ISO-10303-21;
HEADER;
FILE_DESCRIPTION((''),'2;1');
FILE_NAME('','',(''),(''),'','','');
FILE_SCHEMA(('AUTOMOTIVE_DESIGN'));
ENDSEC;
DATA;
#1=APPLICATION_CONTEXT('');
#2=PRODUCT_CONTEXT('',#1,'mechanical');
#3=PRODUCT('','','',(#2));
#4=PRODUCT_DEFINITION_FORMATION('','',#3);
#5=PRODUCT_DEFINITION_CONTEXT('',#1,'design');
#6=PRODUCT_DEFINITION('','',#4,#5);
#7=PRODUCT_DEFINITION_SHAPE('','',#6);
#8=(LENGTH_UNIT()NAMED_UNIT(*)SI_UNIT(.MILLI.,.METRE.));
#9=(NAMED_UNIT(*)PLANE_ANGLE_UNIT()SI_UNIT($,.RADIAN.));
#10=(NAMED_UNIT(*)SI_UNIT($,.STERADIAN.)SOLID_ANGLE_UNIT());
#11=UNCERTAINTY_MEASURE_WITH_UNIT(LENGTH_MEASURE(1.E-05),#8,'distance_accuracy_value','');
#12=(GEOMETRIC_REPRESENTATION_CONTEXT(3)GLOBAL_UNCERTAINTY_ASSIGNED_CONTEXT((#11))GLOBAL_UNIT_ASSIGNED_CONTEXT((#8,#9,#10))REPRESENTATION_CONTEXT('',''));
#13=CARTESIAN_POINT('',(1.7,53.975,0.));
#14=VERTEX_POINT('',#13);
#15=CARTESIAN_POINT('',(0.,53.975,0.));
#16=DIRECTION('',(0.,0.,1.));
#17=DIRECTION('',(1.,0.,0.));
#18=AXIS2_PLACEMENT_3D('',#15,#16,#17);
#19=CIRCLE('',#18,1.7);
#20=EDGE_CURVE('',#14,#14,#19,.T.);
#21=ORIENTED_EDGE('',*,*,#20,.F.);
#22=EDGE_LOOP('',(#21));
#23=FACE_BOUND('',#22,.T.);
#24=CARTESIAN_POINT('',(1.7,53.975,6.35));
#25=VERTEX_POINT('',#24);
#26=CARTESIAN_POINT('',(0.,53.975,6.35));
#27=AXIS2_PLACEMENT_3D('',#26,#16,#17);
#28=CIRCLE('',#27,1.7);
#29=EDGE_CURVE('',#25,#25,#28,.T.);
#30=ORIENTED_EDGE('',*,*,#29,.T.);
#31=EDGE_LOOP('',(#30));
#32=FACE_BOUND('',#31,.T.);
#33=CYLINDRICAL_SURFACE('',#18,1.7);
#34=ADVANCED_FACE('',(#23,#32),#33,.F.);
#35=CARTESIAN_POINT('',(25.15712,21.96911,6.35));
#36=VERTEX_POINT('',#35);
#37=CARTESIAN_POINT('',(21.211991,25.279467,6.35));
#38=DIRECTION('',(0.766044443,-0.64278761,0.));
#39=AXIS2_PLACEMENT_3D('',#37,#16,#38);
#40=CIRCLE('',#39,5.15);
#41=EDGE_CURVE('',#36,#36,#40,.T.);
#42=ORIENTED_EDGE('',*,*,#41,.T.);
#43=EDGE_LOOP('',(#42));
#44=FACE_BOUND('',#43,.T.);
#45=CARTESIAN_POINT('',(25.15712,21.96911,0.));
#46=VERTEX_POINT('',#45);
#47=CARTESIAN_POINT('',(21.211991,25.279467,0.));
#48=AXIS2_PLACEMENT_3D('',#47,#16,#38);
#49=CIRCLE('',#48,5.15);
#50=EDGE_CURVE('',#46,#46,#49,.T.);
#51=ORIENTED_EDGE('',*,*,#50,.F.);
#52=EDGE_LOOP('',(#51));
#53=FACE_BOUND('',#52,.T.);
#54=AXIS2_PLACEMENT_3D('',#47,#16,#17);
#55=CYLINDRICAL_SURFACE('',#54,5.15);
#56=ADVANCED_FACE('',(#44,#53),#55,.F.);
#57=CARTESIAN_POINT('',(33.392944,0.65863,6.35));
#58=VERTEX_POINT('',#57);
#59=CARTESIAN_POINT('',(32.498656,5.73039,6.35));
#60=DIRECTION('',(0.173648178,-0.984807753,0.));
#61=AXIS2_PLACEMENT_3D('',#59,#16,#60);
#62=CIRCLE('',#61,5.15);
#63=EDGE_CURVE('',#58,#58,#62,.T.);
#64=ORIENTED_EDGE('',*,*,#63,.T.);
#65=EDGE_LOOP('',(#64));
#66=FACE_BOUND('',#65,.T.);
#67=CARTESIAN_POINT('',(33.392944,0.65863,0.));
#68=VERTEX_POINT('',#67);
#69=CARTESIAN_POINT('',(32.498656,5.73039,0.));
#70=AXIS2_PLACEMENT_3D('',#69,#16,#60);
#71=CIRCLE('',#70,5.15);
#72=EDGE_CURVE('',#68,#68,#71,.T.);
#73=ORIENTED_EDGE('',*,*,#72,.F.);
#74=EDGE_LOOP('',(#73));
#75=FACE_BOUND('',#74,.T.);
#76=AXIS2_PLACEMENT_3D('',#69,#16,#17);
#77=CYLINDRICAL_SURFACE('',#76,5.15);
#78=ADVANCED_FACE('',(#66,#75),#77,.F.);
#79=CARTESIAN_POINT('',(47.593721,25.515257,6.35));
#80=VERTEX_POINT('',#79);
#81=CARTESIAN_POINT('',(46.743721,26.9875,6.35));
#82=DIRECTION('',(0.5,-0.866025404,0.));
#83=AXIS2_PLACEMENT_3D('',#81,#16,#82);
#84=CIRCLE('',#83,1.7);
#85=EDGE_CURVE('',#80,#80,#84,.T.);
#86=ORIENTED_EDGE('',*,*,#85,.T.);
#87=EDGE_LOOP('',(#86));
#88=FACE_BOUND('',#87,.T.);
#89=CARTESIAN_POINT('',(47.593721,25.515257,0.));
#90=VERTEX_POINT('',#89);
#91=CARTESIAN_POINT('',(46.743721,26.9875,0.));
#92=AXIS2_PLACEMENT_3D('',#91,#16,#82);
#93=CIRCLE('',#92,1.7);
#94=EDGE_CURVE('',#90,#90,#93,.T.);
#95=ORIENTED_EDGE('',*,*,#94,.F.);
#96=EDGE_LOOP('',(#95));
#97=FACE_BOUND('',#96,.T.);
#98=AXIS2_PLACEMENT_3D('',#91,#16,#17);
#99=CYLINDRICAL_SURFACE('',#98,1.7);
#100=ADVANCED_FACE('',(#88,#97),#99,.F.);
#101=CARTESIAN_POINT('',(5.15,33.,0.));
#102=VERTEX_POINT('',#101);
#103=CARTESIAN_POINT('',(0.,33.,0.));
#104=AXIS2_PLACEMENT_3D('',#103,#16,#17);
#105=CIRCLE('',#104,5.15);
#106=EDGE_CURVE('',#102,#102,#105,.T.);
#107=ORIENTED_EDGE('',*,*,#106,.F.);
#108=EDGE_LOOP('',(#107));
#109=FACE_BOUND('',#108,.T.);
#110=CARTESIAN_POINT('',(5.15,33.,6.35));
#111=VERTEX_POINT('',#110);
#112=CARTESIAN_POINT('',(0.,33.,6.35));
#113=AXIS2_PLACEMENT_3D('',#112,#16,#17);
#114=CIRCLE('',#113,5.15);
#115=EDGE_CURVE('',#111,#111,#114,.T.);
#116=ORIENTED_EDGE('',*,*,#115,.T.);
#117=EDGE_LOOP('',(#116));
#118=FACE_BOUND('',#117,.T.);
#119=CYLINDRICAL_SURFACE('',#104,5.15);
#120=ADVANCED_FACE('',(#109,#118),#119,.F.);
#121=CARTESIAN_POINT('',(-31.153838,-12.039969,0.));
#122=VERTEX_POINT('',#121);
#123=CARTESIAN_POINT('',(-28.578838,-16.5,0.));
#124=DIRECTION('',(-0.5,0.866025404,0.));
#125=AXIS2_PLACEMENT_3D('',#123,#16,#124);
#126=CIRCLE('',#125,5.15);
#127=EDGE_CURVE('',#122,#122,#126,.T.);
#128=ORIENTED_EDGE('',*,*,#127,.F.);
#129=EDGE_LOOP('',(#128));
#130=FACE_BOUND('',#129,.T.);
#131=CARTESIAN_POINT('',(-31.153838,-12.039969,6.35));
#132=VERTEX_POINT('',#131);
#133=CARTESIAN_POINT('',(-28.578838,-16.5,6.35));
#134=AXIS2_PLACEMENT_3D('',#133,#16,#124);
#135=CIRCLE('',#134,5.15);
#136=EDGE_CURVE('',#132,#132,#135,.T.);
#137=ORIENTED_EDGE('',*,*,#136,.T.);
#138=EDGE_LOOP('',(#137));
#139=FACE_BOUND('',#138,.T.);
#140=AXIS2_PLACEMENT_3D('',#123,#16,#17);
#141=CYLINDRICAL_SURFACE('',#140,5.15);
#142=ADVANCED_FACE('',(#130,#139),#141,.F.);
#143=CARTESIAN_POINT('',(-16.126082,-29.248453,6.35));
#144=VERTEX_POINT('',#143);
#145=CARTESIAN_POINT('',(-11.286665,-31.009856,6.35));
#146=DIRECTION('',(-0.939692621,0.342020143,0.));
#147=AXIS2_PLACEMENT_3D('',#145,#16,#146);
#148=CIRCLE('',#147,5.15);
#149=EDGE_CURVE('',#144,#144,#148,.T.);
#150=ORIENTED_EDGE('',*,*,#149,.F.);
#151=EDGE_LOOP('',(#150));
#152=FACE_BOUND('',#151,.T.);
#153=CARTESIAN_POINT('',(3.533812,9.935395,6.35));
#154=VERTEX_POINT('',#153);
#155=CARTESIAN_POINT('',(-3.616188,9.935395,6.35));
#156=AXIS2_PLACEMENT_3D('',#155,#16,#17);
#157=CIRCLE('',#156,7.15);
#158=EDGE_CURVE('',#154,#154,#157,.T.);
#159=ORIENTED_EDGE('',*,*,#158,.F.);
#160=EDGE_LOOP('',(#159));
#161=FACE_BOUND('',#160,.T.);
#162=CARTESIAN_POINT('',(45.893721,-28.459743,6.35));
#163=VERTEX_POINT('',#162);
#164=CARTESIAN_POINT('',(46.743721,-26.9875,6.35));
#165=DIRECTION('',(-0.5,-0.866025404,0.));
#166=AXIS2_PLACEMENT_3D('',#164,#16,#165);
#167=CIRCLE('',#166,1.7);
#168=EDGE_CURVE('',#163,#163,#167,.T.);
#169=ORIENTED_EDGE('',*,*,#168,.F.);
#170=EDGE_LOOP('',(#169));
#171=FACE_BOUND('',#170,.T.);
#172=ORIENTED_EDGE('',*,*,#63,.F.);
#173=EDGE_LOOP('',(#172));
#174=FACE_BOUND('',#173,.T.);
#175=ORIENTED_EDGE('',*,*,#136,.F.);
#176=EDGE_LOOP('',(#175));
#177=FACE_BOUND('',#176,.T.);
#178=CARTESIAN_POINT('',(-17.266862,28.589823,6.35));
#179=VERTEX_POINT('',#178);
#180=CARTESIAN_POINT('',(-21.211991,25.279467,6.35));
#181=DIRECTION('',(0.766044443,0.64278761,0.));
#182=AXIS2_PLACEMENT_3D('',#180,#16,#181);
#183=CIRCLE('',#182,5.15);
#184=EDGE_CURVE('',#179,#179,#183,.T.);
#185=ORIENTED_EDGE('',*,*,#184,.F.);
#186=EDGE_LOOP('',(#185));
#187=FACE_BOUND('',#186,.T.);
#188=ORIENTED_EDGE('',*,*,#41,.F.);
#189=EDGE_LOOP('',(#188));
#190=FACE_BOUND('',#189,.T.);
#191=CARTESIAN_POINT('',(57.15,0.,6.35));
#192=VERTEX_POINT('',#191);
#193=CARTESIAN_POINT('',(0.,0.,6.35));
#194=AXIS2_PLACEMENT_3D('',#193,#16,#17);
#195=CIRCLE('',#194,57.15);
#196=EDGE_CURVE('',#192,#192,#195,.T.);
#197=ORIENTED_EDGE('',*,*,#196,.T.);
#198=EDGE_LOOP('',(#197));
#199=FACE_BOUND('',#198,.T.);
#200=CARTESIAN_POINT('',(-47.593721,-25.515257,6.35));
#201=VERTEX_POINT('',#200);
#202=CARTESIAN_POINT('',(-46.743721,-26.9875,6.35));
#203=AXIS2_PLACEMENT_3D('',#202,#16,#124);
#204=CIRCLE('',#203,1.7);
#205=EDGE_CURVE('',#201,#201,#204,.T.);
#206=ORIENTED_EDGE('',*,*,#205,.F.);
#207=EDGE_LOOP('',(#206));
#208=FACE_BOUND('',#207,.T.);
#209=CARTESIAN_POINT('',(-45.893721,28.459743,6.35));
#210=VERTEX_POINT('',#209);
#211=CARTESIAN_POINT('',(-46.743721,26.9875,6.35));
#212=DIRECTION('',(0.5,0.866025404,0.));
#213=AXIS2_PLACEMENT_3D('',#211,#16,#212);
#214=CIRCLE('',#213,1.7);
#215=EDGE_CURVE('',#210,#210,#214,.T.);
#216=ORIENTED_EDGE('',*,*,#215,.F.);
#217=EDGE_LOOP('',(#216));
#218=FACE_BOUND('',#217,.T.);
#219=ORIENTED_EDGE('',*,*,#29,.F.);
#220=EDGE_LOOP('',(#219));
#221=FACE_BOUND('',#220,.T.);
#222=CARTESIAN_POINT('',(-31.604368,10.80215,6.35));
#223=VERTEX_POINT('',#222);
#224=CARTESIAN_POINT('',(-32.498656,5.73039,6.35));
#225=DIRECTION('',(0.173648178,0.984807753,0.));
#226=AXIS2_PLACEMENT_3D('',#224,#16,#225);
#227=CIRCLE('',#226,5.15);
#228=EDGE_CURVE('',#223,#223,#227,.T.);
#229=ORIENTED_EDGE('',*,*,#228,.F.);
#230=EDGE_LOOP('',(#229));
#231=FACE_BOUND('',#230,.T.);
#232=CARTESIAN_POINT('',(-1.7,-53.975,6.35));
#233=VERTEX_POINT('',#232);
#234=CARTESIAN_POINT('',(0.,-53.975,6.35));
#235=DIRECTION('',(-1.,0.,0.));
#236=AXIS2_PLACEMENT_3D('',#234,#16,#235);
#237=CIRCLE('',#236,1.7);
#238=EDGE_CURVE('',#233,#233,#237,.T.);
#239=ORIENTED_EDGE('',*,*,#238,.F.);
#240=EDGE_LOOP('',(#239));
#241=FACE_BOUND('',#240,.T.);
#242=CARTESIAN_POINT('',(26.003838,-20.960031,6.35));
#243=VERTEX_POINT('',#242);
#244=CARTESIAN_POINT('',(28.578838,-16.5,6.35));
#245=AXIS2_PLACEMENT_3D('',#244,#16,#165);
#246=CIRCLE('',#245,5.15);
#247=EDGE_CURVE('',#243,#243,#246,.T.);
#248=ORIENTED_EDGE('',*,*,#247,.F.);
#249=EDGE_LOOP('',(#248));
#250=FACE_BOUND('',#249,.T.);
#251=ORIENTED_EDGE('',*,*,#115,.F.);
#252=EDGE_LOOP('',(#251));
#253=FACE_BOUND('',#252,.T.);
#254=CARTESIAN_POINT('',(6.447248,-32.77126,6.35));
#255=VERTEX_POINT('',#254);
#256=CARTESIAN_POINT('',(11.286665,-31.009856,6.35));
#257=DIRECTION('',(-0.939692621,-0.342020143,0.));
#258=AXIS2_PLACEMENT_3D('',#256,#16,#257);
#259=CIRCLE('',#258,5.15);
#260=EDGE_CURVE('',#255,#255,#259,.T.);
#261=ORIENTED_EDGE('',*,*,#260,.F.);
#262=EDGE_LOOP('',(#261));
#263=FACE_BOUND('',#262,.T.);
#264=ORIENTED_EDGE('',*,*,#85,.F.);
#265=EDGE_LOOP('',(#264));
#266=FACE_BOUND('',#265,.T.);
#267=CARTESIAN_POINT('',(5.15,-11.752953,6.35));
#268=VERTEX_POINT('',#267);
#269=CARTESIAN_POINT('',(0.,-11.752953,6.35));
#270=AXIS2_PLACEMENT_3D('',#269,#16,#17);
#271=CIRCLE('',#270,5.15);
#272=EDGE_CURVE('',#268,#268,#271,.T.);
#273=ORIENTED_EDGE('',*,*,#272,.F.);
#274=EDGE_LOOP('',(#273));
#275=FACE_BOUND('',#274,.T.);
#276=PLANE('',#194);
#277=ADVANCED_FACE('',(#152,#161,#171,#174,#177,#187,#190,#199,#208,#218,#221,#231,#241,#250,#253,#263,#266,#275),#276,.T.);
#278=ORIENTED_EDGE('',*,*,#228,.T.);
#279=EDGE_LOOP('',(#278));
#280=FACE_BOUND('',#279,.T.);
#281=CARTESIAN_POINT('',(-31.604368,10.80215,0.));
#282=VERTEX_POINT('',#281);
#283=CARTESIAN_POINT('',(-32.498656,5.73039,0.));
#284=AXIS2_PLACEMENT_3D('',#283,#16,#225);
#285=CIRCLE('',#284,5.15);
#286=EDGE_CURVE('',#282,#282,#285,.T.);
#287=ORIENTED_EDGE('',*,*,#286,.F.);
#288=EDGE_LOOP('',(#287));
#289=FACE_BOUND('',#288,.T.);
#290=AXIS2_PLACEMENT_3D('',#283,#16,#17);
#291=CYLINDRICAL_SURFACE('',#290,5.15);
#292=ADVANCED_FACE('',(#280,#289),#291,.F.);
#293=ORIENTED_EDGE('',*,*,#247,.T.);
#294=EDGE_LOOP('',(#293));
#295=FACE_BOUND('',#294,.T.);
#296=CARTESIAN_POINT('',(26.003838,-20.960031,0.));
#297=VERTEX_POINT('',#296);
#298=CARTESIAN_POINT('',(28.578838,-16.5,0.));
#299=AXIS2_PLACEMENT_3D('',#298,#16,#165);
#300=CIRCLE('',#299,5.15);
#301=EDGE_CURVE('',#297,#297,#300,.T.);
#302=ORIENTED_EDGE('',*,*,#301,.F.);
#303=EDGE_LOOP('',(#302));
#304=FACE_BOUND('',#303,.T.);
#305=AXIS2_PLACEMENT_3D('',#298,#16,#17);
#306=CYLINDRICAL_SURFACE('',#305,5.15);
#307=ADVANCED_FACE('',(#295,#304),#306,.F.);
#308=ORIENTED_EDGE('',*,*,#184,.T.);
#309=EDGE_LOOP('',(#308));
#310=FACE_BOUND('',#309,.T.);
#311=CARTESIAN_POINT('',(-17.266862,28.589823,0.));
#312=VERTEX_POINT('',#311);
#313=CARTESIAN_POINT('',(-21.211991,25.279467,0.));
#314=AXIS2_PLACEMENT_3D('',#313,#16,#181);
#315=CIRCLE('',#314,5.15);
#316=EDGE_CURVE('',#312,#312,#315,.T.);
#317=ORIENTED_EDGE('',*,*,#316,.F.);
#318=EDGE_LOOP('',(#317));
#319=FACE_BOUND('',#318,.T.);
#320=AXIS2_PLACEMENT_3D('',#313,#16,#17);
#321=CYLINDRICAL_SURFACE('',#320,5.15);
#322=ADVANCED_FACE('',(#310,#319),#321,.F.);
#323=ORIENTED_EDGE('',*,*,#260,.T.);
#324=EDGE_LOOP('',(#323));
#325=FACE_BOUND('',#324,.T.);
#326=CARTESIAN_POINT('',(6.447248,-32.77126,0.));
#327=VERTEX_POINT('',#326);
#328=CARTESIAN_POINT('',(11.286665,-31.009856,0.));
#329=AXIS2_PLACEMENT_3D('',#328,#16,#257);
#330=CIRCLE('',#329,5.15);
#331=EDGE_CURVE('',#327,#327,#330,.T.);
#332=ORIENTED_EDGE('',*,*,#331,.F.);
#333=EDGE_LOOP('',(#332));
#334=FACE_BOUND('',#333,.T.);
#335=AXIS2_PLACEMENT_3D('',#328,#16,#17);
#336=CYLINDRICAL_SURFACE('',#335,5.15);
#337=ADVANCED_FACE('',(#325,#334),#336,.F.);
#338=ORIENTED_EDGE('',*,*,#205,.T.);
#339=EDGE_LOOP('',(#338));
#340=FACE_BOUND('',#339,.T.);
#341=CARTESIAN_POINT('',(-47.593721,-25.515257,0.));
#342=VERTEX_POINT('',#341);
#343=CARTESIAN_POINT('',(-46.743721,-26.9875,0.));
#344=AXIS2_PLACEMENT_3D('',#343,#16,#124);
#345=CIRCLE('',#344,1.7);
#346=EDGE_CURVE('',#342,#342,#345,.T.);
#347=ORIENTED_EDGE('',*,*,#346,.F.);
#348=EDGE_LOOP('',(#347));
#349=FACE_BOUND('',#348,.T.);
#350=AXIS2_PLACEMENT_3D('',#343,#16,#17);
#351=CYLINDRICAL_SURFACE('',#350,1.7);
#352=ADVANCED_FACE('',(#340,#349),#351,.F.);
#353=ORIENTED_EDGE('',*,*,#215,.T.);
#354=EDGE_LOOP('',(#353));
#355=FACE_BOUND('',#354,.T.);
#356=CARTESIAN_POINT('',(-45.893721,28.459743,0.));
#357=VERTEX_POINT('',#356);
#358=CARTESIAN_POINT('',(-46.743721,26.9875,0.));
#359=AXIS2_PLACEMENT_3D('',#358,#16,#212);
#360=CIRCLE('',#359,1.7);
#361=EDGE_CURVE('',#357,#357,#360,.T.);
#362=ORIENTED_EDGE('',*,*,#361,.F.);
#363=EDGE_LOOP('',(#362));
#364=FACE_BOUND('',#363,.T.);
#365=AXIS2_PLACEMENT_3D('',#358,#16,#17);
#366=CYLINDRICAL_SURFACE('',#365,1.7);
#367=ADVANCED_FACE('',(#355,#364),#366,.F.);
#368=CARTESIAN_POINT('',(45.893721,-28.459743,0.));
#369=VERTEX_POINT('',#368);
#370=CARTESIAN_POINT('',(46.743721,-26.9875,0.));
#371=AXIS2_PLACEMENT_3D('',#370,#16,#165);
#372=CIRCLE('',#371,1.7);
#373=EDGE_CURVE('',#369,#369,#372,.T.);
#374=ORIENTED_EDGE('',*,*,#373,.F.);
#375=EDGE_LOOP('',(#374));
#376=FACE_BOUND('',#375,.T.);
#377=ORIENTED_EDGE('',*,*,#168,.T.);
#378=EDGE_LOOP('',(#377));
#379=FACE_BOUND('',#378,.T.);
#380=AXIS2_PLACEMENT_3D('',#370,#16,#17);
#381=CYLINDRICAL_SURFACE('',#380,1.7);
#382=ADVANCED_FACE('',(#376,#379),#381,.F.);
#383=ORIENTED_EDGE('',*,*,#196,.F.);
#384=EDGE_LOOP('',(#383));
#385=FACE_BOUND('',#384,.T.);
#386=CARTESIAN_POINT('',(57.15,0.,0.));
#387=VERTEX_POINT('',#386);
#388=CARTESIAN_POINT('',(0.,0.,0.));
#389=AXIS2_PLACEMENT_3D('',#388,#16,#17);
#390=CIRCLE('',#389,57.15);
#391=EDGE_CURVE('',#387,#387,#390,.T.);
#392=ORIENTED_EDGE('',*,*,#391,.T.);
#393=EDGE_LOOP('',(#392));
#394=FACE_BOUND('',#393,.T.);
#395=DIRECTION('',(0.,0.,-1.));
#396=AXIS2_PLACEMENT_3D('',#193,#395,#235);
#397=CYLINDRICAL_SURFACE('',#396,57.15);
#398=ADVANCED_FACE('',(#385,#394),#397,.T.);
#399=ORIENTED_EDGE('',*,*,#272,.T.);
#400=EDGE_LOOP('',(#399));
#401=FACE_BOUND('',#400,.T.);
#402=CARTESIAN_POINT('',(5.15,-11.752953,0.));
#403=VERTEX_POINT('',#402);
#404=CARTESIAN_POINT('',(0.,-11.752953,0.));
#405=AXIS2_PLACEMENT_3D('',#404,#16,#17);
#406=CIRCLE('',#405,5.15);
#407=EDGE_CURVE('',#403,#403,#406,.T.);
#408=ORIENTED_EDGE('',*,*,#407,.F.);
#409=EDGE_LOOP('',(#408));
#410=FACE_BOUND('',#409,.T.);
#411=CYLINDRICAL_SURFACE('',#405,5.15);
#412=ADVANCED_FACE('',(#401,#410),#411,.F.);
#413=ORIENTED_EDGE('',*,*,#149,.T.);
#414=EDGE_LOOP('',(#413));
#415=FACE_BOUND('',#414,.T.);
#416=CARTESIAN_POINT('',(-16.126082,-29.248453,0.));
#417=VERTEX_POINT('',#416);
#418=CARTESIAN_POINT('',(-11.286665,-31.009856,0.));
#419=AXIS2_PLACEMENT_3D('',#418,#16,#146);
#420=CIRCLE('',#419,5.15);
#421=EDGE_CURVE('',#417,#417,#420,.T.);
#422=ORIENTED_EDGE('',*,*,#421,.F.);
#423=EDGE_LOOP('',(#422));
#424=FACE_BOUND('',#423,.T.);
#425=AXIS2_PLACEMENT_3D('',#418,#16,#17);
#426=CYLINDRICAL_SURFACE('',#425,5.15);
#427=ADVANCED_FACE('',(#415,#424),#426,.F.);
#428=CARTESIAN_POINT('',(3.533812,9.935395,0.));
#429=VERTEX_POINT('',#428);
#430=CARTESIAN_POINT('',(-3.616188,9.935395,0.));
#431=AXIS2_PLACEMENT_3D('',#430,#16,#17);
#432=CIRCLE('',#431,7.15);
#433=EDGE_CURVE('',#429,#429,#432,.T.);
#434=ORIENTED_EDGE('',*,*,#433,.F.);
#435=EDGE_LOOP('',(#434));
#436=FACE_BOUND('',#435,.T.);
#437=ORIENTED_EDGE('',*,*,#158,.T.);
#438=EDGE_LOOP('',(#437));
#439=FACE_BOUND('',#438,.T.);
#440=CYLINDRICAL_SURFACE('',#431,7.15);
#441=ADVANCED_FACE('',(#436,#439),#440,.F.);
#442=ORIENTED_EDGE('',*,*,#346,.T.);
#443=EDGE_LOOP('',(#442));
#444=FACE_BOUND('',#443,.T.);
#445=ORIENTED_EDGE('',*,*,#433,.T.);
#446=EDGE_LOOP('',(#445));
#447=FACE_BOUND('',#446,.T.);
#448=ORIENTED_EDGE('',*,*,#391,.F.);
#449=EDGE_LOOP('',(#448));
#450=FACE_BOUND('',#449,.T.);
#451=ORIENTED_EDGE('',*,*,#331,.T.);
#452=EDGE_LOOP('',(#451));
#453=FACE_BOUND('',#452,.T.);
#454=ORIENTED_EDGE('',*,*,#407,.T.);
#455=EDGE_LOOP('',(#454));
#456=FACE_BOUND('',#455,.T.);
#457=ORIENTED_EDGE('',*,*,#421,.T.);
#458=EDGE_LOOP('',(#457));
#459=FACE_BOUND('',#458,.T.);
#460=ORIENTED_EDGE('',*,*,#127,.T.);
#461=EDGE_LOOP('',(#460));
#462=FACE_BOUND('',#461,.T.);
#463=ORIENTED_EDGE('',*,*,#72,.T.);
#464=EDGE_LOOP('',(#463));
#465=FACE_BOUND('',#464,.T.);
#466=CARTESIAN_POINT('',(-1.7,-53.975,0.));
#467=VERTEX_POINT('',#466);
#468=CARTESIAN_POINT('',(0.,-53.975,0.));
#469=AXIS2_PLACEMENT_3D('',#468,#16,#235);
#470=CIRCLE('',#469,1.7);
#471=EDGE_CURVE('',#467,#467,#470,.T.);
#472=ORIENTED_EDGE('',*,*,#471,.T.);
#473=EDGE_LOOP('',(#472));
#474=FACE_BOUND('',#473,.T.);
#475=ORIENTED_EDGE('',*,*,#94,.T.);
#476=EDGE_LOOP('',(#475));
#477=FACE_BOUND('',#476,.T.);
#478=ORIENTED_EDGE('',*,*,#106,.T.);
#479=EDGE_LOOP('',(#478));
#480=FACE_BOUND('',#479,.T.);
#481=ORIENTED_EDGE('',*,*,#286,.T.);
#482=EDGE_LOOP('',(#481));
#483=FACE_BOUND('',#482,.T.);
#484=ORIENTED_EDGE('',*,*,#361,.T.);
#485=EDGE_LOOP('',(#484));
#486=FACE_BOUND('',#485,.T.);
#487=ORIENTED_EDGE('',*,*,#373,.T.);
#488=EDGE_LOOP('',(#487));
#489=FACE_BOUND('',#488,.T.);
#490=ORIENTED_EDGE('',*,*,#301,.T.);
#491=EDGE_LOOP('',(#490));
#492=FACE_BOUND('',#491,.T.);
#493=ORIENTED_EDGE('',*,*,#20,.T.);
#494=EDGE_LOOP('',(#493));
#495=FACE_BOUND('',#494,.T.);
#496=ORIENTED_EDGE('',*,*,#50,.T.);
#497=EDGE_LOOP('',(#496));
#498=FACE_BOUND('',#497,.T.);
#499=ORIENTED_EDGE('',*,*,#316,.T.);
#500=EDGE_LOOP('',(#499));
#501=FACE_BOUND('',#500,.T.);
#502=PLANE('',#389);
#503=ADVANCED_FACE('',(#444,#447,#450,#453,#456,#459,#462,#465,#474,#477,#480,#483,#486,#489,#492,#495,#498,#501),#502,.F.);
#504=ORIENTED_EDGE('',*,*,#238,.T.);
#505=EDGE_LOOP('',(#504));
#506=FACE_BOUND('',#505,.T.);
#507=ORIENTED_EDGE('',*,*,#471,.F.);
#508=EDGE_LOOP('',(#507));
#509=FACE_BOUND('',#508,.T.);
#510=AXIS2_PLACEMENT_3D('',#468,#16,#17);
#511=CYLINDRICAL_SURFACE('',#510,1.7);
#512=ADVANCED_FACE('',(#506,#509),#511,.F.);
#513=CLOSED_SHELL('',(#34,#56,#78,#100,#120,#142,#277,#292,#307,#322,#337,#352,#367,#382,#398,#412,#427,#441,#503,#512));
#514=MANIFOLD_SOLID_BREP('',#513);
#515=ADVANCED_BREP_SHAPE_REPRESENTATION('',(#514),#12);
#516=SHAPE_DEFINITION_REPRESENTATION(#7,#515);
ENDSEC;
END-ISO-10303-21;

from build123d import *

# Parameters (mm, degrees)
SKETCH2_R           = 57.15
BOSS_EXTRUDE1_DEPTH = 6.35
SKETCH3_R           = 5.15
CUT_EXTRUDE1_DEPTH  = 7.35
CIRPATTERN1_COUNT   = 9
SKETCH6_R           = 1.7
CUT_EXTRUDE4_DEPTH  = 7.35
CIRPATTERN3_COUNT   = 6
SKETCH7_R           = 7.15
SKETCH7_R_2         = 5.15
CUT_EXTRUDE5_DEPTH  = 7.35


with BuildPart() as part:
    # Sketch2 → Boss-Extrude1 (new body)
    with BuildSketch(Plane.XY):
        Circle(SKETCH2_R)
    extrude(amount=BOSS_EXTRUDE1_DEPTH)

    # Sketch3 → Cut-Extrude1 (cut, through all)
    with BuildSketch(Plane.XY.offset(6.35)):
        with Locations((0, 33)):
            Circle(SKETCH3_R)
    cut_extrude1 = extrude(amount=-CUT_EXTRUDE1_DEPTH, mode=Mode.SUBTRACT)

    # CirPattern1: Cut-Extrude1 ×9 about axis
    cirpattern1_axis = Axis((0, 0, 0), (0, 0, 1))
    for i in range(1, CIRPATTERN1_COUNT):
        add(cut_extrude1.rotate(cirpattern1_axis, i * 360 / CIRPATTERN1_COUNT), mode=Mode.SUBTRACT)

    # Sketch6 → Cut-Extrude4 (cut, through all)
    with BuildSketch(Plane.XY.offset(6.35)):
        with Locations((0, 53.975)):
            Circle(SKETCH6_R)
    cut_extrude4 = extrude(amount=-CUT_EXTRUDE4_DEPTH, mode=Mode.SUBTRACT)

    # CirPattern3: Cut-Extrude4 ×6 about axis
    cirpattern3_axis = Axis((0, 0, 0), (0, 0, 1))
    for i in range(1, CIRPATTERN3_COUNT):
        add(cut_extrude4.rotate(cirpattern3_axis, i * 360 / CIRPATTERN3_COUNT), mode=Mode.SUBTRACT)

    # Sketch7 → Cut-Extrude5 (cut, through all)
    with BuildSketch(Plane.XY.offset(6.35)):
        with Locations((-3.616187958, 9.935394759)):
            Circle(SKETCH7_R)
        with Locations((0, -11.752952649)):
            Circle(SKETCH7_R_2)
    extrude(amount=-CUT_EXTRUDE5_DEPTH, mode=Mode.SUBTRACT)


solid = part.part
